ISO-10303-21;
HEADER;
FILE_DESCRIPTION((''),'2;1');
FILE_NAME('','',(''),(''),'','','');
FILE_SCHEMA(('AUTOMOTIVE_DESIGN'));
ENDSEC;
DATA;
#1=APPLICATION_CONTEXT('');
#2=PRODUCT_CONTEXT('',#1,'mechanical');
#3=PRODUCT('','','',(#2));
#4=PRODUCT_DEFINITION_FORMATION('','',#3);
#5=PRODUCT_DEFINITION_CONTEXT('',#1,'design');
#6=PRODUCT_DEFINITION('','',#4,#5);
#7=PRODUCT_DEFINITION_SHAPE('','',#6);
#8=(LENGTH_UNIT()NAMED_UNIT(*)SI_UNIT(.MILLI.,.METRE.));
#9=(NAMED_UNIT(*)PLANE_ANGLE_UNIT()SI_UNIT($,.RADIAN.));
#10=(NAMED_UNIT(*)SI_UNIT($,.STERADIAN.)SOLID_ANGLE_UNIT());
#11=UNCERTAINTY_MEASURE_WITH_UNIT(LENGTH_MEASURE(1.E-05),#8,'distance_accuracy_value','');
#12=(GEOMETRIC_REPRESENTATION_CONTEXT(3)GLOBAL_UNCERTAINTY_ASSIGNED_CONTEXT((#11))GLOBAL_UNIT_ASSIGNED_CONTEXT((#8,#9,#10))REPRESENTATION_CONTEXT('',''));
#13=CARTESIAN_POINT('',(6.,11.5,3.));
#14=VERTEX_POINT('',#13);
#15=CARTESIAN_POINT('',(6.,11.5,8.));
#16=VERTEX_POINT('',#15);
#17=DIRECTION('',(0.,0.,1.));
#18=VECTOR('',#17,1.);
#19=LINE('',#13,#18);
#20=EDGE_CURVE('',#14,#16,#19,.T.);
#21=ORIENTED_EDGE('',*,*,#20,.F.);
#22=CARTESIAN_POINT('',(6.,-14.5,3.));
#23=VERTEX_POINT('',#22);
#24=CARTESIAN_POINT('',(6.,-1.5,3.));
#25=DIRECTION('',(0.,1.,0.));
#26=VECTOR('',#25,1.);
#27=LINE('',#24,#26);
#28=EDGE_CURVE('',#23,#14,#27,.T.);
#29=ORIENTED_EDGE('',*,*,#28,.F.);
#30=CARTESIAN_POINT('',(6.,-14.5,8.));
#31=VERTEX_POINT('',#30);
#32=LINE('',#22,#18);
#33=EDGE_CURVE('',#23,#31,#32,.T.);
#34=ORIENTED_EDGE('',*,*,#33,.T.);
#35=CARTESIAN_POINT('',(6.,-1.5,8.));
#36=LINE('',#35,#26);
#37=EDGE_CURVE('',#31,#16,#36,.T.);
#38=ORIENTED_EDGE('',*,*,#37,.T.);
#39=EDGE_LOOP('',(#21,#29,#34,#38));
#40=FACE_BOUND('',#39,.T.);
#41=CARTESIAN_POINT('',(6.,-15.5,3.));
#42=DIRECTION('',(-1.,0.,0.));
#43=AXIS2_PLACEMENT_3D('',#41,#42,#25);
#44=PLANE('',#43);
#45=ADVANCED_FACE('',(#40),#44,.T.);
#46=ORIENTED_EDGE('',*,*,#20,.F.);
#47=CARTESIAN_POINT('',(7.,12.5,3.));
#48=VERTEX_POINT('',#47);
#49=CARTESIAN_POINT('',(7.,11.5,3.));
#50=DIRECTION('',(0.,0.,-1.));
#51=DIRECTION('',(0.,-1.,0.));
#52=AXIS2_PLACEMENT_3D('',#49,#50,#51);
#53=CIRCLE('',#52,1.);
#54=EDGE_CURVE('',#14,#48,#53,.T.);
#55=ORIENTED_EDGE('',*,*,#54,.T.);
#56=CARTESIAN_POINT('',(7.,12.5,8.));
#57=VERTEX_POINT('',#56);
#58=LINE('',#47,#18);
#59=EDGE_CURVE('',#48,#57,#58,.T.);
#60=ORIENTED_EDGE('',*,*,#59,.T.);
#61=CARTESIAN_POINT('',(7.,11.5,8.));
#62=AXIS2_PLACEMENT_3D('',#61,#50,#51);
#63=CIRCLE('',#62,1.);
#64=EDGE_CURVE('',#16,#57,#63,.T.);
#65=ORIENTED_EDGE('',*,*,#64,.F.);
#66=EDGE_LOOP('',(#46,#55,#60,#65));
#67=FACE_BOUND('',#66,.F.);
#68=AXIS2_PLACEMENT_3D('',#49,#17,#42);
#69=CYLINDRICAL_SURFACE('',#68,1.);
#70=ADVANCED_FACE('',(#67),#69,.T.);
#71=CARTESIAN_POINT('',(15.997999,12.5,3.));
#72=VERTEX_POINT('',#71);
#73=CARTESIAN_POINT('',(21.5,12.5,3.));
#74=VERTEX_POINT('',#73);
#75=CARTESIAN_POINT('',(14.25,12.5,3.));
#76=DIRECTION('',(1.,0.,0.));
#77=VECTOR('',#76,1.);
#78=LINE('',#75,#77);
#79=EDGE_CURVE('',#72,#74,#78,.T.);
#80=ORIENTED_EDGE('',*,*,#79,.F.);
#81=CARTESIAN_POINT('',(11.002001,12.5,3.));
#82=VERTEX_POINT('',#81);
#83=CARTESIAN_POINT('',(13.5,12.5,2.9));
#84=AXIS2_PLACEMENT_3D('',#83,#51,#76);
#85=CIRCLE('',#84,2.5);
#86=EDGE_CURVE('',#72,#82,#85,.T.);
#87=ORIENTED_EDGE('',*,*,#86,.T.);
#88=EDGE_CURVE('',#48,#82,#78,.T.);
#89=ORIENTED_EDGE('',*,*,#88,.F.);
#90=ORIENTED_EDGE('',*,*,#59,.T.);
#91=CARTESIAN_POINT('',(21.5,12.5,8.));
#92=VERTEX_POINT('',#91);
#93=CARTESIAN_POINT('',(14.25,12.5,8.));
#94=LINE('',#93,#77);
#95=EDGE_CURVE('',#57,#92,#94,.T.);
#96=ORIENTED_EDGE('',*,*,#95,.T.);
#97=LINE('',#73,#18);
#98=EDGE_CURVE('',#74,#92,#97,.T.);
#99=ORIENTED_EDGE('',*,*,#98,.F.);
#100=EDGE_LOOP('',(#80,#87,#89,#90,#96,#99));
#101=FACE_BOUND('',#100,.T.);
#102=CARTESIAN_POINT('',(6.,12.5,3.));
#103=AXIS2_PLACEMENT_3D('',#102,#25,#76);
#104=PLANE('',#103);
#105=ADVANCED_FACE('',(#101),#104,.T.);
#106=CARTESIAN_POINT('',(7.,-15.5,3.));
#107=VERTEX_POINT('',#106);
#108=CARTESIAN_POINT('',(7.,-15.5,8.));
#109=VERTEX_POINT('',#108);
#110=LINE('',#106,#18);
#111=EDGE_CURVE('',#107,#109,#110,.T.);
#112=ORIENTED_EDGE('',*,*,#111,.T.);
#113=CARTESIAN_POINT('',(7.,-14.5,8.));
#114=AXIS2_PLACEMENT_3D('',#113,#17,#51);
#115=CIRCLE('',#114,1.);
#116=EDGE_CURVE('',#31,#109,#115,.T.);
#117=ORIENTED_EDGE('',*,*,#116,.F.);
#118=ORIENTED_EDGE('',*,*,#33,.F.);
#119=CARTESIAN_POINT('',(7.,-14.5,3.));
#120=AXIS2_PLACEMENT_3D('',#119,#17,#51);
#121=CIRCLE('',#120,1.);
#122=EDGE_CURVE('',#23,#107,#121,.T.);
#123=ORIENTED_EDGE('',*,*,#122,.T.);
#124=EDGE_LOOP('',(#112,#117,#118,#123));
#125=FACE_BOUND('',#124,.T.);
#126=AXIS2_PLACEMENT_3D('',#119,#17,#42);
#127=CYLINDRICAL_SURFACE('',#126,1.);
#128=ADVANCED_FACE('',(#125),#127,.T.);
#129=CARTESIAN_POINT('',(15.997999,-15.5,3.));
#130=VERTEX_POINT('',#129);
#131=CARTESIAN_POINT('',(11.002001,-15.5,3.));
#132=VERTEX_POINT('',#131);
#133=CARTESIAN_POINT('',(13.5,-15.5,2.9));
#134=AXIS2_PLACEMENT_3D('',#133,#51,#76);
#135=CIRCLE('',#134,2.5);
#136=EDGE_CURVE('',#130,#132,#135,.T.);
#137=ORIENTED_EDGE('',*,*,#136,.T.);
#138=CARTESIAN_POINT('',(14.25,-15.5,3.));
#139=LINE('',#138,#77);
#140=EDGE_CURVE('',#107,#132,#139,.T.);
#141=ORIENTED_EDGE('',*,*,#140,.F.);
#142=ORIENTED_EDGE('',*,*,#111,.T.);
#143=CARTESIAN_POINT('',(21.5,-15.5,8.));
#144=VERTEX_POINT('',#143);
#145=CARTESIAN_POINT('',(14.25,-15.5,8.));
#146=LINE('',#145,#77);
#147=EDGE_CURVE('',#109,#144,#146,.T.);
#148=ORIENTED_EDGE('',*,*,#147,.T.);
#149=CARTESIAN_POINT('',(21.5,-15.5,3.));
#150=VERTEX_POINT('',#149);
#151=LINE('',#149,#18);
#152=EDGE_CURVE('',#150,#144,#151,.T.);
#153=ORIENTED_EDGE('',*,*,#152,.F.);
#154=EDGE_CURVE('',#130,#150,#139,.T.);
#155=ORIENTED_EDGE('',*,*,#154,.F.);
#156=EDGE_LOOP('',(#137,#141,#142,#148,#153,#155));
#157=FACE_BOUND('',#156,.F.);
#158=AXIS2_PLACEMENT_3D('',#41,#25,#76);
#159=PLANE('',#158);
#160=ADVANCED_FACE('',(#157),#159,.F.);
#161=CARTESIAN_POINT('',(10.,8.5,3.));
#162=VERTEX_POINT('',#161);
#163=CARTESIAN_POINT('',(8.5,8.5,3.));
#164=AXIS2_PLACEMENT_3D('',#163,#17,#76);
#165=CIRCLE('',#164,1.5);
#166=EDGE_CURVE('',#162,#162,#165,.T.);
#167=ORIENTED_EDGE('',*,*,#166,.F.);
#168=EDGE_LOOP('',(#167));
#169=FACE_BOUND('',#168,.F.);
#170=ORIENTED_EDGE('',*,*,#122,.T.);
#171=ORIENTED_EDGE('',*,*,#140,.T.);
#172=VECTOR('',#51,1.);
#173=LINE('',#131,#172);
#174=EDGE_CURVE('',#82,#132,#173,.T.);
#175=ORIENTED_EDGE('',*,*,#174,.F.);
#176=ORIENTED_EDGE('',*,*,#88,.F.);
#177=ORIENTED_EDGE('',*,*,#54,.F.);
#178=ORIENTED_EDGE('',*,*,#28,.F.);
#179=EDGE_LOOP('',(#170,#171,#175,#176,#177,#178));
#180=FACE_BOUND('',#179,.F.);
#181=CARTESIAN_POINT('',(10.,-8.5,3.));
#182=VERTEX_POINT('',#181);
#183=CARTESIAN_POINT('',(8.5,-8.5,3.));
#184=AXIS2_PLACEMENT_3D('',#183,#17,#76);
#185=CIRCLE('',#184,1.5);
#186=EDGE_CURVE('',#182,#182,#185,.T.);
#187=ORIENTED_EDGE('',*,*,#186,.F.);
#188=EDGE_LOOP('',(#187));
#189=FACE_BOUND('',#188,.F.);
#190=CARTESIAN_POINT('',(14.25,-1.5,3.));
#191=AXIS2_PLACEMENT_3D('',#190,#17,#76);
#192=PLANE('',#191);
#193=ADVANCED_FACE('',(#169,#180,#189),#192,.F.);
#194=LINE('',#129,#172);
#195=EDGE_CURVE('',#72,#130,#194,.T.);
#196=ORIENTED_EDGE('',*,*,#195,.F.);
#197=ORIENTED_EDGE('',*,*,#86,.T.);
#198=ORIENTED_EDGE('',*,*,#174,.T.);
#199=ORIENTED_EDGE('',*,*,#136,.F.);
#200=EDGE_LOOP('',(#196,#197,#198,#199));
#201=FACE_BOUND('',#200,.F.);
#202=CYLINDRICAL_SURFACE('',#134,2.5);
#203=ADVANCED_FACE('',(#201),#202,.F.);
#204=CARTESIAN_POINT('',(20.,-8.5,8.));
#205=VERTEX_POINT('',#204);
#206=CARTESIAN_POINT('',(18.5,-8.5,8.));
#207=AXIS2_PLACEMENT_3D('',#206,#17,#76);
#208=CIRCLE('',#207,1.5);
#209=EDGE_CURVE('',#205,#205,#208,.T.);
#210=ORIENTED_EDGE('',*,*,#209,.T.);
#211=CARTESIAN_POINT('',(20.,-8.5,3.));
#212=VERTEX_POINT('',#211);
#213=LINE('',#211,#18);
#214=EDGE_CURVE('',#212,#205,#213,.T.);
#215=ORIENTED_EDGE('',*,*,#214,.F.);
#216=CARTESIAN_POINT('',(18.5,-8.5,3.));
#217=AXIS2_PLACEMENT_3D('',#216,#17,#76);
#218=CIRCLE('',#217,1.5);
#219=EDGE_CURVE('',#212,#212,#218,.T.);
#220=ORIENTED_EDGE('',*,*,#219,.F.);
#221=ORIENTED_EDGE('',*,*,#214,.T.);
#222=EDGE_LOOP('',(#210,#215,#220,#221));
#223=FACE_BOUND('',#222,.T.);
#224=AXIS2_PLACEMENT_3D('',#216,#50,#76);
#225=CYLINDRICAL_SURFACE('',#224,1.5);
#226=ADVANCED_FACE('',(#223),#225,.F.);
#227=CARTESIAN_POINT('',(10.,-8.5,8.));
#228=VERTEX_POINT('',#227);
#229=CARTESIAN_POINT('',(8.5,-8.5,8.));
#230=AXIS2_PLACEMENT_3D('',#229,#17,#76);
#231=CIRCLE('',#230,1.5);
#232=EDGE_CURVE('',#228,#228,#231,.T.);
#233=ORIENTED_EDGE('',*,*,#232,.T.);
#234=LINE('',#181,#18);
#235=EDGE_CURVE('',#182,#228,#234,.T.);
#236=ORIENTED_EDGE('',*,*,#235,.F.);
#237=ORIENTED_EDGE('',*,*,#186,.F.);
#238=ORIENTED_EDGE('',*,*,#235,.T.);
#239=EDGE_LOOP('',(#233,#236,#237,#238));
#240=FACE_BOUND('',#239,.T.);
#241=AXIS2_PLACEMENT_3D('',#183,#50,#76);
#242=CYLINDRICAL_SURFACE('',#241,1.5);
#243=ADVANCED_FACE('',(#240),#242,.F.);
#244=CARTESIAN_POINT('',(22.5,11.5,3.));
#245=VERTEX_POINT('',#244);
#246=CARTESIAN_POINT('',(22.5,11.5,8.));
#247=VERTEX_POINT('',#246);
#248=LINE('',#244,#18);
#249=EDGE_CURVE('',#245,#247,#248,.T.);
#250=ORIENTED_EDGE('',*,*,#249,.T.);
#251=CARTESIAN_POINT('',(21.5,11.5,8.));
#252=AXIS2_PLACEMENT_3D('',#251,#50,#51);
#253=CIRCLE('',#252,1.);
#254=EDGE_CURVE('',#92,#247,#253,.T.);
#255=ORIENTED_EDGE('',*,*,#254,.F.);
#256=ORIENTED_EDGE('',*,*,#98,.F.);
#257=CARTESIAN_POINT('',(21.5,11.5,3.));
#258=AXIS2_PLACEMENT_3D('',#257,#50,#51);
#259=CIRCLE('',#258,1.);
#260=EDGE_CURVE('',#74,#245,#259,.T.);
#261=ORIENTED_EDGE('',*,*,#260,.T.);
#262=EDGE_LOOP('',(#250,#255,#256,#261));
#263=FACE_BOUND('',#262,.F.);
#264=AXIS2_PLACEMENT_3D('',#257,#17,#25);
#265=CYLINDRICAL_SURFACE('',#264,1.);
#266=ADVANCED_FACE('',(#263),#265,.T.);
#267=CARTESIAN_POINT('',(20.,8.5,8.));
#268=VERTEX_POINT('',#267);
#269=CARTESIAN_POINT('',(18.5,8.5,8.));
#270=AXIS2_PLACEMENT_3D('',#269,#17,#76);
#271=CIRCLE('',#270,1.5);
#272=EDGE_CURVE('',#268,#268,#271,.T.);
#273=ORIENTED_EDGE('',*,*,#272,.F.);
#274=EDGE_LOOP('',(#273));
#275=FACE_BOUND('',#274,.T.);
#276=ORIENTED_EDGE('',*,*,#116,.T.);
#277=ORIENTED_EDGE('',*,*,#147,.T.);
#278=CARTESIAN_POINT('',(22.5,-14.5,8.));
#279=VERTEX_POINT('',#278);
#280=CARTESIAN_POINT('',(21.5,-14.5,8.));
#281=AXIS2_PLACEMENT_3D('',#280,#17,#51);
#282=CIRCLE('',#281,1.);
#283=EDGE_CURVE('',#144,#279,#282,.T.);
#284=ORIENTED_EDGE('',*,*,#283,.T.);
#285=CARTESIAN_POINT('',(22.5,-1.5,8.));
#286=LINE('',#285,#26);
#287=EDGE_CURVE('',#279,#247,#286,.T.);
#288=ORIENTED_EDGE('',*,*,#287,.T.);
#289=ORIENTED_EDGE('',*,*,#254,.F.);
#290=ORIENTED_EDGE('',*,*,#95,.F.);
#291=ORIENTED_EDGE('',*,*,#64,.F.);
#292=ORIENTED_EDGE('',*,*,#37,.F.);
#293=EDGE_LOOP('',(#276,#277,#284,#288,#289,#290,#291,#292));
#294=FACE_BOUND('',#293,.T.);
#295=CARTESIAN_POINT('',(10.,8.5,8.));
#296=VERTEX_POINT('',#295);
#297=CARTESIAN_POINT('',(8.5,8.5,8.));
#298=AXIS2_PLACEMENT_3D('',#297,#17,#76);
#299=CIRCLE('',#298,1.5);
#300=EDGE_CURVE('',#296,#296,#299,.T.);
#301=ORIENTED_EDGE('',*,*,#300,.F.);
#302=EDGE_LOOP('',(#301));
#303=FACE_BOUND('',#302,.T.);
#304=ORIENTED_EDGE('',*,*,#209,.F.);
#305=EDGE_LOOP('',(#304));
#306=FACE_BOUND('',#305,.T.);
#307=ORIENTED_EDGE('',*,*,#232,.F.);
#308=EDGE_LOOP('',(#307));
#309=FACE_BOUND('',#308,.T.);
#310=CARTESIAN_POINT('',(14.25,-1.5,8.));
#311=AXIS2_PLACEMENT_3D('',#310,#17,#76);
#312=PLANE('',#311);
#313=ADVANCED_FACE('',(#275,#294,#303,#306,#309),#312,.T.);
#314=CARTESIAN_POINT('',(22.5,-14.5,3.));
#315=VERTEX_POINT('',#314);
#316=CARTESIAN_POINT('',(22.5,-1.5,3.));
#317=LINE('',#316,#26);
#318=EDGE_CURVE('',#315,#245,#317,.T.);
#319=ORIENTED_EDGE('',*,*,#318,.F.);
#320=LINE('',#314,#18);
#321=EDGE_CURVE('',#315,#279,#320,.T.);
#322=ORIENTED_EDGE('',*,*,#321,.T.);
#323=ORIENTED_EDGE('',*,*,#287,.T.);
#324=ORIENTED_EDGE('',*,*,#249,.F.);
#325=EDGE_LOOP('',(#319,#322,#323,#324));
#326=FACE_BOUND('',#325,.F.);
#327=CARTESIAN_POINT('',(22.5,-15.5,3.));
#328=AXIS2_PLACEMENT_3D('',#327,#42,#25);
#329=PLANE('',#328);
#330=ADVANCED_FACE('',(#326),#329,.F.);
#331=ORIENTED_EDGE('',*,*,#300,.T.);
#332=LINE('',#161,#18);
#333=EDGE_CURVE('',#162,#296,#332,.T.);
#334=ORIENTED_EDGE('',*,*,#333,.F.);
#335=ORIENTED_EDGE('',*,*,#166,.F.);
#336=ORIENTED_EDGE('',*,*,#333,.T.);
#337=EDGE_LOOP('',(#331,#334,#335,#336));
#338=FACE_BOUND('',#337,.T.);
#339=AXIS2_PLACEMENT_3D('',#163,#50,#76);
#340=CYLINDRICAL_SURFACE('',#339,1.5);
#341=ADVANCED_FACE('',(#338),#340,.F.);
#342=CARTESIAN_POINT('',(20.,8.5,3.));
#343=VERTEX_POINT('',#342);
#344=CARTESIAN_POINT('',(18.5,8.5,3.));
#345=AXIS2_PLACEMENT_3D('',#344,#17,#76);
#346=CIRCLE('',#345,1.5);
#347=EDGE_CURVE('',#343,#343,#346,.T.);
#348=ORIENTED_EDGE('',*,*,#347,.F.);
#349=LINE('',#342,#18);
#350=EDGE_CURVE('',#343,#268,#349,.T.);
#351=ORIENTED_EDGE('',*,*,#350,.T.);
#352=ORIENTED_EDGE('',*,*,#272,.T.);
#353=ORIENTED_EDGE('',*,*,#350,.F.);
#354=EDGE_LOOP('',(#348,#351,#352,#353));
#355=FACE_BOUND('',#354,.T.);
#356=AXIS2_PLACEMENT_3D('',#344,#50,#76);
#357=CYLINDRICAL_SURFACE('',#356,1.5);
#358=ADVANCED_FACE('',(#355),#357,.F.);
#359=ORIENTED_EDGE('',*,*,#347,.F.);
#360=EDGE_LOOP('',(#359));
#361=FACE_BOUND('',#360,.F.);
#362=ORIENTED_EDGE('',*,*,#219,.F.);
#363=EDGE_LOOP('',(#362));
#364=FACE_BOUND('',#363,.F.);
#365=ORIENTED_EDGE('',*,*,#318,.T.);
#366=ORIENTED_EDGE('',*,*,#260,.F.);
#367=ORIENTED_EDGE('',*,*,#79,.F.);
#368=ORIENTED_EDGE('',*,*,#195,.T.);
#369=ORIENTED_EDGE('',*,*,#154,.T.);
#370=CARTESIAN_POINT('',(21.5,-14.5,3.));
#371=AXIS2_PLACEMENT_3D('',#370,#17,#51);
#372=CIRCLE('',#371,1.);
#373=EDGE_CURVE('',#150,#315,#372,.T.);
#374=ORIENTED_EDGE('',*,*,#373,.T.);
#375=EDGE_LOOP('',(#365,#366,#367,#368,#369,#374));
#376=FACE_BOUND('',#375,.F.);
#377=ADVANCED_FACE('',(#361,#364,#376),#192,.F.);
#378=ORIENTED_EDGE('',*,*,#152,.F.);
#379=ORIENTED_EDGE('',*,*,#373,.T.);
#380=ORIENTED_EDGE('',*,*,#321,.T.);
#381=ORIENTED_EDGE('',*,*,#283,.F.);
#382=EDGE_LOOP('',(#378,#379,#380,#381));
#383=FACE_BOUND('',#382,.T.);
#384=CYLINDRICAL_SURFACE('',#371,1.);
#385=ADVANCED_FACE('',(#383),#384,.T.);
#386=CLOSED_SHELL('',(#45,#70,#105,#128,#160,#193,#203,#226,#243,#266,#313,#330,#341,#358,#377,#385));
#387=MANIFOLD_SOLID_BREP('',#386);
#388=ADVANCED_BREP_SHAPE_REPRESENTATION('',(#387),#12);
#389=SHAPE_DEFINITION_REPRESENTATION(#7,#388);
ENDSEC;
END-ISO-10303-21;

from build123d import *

# Parameters (mm, degrees)
SKETCH001_W  = 16.5
SKETCH001_H  = 28
SKETCH001_R  = 1.5
PAD001_DEPTH = 5
SKETCH_R     = 2.5
POCKET_DEPTH = 28.001
FILLET_R     = 1


with BuildPart() as part:
    # Sketch001 → Pad001 (new body)
    with BuildSketch(Plane.XY.offset(3)):
        with Locations((14.25, -1.5)):
            Rectangle(SKETCH001_W, SKETCH001_H)
        with Locations((8.5, 8.5)):
            Circle(SKETCH001_R, mode=Mode.SUBTRACT)
        with Locations((18.5, 8.5)):
            Circle(SKETCH001_R, mode=Mode.SUBTRACT)
        with Locations((18.5, -8.5)):
            Circle(SKETCH001_R, mode=Mode.SUBTRACT)
        with Locations((8.5, -8.5)):
            Circle(SKETCH001_R, mode=Mode.SUBTRACT)
    extrude(amount=PAD001_DEPTH)

    # Sketch (on Face3 of Pad001) → Pocket (cut, through all)
    with BuildSketch(Plane(origin=(0, -15.5, 3), x_dir=(1, 0, 0), z_dir=(0, -1, 0))):
        with Locations((13.5, -0.1)):
            Circle(SKETCH_R)
    extrude(amount=-POCKET_DEPTH, mode=Mode.SUBTRACT)

    # Fillet
    fillet_edges = [part.edges().sort_by_distance(p)[0] for p in [
        (6, -15.5, 5.5),
        (22.5, -15.5, 5.5),
        (22.5, 12.5, 5.5),
        (6, 12.5, 5.5),
    ]]
    fillet(fillet_edges, radius=FILLET_R)


solid = part.part
